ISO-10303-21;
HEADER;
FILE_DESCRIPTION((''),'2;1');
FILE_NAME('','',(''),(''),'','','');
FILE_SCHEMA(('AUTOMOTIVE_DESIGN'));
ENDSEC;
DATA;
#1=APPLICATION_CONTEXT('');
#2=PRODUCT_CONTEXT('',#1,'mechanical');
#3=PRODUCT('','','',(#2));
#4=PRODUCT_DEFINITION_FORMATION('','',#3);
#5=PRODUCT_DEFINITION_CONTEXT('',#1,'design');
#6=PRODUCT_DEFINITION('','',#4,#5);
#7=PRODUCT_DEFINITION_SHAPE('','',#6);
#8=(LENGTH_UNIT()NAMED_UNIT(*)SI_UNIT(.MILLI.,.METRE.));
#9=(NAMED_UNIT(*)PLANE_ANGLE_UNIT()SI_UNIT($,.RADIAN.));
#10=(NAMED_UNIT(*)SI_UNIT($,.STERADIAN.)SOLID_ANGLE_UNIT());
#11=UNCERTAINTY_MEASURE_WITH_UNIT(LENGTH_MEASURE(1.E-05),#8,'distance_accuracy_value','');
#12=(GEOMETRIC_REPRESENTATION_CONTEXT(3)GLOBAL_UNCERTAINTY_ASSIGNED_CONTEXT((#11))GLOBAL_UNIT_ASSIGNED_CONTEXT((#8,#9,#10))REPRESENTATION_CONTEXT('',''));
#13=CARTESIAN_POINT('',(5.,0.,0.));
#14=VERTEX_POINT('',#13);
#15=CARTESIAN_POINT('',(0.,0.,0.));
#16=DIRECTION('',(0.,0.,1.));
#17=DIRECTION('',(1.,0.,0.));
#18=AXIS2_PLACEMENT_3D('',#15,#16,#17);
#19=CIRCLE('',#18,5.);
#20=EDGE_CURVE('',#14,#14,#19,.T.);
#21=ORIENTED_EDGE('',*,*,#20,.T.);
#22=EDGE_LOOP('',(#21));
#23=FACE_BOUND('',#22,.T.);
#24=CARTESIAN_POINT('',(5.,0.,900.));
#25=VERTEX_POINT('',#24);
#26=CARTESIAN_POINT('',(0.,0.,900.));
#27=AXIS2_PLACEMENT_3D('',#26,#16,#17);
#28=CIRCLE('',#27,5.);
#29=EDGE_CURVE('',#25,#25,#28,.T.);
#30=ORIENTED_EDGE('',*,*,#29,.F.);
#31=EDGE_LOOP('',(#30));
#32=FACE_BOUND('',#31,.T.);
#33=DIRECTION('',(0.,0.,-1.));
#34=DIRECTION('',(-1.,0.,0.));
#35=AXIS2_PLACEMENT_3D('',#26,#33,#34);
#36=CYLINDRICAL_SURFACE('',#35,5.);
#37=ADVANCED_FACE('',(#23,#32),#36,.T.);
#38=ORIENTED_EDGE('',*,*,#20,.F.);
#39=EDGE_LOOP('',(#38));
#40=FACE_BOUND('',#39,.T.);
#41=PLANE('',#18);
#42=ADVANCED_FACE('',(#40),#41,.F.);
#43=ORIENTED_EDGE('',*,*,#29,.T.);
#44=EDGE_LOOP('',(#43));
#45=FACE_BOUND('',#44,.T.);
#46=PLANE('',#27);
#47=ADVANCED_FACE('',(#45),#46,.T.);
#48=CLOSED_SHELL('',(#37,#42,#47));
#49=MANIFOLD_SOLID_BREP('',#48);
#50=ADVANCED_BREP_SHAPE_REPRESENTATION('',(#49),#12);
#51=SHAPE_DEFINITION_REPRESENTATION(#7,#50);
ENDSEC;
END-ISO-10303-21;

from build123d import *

# Parameters (mm, degrees)
ESQUISSE1_R        = 5
BOSS_EXTRU_1_DEPTH = 900


with BuildPart() as part:
    # Esquisse1 → Boss.-Extru.1 (new body)
    with BuildSketch(Plane.XY):
        Circle(ESQUISSE1_R)
    extrude(amount=BOSS_EXTRU_1_DEPTH)


solid = part.part
